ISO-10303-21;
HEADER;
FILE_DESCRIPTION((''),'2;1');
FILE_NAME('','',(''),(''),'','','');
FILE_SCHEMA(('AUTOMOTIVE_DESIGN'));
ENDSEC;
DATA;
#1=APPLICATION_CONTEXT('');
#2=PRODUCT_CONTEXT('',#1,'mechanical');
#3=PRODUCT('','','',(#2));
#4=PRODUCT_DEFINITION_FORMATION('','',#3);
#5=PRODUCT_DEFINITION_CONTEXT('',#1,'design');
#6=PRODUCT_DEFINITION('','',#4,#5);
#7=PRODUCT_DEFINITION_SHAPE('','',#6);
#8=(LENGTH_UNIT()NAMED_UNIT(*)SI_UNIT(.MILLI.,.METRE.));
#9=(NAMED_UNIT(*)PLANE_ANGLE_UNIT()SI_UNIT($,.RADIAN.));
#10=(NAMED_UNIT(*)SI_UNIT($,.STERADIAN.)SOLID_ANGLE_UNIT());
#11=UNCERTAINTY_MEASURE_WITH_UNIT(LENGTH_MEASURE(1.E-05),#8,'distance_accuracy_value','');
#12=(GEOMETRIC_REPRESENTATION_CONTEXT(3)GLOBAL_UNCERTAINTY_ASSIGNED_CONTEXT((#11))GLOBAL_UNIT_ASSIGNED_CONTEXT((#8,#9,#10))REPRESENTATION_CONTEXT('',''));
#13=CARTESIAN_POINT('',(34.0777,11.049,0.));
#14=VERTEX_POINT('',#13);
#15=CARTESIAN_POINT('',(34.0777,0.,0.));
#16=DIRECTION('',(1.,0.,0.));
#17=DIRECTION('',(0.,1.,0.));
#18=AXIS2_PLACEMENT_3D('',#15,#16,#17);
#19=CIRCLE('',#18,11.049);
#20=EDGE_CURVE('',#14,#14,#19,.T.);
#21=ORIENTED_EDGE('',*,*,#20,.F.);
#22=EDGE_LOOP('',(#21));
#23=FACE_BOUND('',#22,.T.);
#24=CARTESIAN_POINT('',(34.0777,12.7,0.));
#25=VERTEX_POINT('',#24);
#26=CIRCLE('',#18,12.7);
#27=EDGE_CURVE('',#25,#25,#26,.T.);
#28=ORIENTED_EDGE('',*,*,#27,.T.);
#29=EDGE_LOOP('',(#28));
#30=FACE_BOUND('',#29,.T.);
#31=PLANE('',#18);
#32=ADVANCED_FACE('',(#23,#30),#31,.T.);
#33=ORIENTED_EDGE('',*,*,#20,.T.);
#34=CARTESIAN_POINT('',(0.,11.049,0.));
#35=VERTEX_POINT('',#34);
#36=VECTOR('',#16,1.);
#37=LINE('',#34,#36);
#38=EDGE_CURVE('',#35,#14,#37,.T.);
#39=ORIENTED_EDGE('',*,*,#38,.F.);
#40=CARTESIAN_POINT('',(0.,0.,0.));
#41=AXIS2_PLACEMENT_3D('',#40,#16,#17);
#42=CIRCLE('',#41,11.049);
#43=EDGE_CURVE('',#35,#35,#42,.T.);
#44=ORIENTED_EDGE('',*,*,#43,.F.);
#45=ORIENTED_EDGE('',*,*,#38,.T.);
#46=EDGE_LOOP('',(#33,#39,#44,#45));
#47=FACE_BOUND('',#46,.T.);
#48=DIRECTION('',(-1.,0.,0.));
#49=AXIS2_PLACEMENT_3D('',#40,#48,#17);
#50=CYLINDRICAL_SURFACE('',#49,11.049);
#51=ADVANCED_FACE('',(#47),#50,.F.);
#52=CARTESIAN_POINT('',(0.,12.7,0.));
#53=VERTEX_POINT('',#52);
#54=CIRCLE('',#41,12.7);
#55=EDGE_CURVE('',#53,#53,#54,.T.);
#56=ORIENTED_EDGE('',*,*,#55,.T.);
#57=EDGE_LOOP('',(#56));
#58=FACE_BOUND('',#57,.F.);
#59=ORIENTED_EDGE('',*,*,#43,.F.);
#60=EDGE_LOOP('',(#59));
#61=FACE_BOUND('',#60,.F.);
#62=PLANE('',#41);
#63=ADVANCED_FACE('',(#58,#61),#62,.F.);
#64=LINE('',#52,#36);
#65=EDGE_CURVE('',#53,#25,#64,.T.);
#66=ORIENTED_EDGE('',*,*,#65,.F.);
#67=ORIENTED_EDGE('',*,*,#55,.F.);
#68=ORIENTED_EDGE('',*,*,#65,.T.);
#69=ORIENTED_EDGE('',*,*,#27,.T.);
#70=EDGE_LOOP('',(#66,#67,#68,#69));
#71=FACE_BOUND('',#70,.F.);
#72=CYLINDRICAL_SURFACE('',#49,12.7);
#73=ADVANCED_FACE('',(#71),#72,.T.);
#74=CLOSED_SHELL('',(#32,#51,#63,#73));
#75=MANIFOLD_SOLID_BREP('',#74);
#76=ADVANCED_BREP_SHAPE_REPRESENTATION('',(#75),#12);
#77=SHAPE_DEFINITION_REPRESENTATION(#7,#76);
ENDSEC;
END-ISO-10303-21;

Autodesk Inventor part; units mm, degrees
ref_plane "XZ Plane" through (0, 0, 0) normal (0, 1, 0) x (-1, 0, 0)
ref_plane "Start Plane" through (0, 0, 0) normal (1, 0, 0) x (0, 1, 0)
ref_plane "End Plane" through (34.0777, 0, 0) normal (1, 0, 0) x (0, 1, 0)
sketch "Sketch" plane through (0, 0, 0) normal (1, 0, 0) x (0, 1, 0)
  circle A0 centre (0, 0) radius 12.7
  circle A1 centre (0, 0) radius 11.049
  dimension "d0" = 25.4
  dimension "d1" = 1.651
extrude "Body" add sketch "Sketch" along normal up to surface (34.0777 mm away) from surface at 0
sketch "Sketch2" plane through (0, 0, 0) normal (1, 0, 0) x (0, 1, 0)
  line L0 (0, 0) -> (10, 0)
ref_plane "Work Plane3" through (0, 0, 0) normal (0, 0, -1) x (0, 1, 0)
sketch "Sketch3" plane through (0, 0, 0) normal (0, 0, -1) x (0, 1, 0)
  line L0 (-2, 0) -> (12, 0)
  line L1 (-2, 34.0777) -> (12, 34.0777)
  dimension "d9" = 34.0777
equation "\"G_OFFSET_START\" = 0"
equation "\"G_OFFSET_END\" = 0"
equation "\"d5\" = d2 + G_OFFSET_END"
equation "\"G_L\" = d9"
equation "\"d2\" = 34.077676"
properties part number "4130_1x0.065" material "Steel, Alloy"
